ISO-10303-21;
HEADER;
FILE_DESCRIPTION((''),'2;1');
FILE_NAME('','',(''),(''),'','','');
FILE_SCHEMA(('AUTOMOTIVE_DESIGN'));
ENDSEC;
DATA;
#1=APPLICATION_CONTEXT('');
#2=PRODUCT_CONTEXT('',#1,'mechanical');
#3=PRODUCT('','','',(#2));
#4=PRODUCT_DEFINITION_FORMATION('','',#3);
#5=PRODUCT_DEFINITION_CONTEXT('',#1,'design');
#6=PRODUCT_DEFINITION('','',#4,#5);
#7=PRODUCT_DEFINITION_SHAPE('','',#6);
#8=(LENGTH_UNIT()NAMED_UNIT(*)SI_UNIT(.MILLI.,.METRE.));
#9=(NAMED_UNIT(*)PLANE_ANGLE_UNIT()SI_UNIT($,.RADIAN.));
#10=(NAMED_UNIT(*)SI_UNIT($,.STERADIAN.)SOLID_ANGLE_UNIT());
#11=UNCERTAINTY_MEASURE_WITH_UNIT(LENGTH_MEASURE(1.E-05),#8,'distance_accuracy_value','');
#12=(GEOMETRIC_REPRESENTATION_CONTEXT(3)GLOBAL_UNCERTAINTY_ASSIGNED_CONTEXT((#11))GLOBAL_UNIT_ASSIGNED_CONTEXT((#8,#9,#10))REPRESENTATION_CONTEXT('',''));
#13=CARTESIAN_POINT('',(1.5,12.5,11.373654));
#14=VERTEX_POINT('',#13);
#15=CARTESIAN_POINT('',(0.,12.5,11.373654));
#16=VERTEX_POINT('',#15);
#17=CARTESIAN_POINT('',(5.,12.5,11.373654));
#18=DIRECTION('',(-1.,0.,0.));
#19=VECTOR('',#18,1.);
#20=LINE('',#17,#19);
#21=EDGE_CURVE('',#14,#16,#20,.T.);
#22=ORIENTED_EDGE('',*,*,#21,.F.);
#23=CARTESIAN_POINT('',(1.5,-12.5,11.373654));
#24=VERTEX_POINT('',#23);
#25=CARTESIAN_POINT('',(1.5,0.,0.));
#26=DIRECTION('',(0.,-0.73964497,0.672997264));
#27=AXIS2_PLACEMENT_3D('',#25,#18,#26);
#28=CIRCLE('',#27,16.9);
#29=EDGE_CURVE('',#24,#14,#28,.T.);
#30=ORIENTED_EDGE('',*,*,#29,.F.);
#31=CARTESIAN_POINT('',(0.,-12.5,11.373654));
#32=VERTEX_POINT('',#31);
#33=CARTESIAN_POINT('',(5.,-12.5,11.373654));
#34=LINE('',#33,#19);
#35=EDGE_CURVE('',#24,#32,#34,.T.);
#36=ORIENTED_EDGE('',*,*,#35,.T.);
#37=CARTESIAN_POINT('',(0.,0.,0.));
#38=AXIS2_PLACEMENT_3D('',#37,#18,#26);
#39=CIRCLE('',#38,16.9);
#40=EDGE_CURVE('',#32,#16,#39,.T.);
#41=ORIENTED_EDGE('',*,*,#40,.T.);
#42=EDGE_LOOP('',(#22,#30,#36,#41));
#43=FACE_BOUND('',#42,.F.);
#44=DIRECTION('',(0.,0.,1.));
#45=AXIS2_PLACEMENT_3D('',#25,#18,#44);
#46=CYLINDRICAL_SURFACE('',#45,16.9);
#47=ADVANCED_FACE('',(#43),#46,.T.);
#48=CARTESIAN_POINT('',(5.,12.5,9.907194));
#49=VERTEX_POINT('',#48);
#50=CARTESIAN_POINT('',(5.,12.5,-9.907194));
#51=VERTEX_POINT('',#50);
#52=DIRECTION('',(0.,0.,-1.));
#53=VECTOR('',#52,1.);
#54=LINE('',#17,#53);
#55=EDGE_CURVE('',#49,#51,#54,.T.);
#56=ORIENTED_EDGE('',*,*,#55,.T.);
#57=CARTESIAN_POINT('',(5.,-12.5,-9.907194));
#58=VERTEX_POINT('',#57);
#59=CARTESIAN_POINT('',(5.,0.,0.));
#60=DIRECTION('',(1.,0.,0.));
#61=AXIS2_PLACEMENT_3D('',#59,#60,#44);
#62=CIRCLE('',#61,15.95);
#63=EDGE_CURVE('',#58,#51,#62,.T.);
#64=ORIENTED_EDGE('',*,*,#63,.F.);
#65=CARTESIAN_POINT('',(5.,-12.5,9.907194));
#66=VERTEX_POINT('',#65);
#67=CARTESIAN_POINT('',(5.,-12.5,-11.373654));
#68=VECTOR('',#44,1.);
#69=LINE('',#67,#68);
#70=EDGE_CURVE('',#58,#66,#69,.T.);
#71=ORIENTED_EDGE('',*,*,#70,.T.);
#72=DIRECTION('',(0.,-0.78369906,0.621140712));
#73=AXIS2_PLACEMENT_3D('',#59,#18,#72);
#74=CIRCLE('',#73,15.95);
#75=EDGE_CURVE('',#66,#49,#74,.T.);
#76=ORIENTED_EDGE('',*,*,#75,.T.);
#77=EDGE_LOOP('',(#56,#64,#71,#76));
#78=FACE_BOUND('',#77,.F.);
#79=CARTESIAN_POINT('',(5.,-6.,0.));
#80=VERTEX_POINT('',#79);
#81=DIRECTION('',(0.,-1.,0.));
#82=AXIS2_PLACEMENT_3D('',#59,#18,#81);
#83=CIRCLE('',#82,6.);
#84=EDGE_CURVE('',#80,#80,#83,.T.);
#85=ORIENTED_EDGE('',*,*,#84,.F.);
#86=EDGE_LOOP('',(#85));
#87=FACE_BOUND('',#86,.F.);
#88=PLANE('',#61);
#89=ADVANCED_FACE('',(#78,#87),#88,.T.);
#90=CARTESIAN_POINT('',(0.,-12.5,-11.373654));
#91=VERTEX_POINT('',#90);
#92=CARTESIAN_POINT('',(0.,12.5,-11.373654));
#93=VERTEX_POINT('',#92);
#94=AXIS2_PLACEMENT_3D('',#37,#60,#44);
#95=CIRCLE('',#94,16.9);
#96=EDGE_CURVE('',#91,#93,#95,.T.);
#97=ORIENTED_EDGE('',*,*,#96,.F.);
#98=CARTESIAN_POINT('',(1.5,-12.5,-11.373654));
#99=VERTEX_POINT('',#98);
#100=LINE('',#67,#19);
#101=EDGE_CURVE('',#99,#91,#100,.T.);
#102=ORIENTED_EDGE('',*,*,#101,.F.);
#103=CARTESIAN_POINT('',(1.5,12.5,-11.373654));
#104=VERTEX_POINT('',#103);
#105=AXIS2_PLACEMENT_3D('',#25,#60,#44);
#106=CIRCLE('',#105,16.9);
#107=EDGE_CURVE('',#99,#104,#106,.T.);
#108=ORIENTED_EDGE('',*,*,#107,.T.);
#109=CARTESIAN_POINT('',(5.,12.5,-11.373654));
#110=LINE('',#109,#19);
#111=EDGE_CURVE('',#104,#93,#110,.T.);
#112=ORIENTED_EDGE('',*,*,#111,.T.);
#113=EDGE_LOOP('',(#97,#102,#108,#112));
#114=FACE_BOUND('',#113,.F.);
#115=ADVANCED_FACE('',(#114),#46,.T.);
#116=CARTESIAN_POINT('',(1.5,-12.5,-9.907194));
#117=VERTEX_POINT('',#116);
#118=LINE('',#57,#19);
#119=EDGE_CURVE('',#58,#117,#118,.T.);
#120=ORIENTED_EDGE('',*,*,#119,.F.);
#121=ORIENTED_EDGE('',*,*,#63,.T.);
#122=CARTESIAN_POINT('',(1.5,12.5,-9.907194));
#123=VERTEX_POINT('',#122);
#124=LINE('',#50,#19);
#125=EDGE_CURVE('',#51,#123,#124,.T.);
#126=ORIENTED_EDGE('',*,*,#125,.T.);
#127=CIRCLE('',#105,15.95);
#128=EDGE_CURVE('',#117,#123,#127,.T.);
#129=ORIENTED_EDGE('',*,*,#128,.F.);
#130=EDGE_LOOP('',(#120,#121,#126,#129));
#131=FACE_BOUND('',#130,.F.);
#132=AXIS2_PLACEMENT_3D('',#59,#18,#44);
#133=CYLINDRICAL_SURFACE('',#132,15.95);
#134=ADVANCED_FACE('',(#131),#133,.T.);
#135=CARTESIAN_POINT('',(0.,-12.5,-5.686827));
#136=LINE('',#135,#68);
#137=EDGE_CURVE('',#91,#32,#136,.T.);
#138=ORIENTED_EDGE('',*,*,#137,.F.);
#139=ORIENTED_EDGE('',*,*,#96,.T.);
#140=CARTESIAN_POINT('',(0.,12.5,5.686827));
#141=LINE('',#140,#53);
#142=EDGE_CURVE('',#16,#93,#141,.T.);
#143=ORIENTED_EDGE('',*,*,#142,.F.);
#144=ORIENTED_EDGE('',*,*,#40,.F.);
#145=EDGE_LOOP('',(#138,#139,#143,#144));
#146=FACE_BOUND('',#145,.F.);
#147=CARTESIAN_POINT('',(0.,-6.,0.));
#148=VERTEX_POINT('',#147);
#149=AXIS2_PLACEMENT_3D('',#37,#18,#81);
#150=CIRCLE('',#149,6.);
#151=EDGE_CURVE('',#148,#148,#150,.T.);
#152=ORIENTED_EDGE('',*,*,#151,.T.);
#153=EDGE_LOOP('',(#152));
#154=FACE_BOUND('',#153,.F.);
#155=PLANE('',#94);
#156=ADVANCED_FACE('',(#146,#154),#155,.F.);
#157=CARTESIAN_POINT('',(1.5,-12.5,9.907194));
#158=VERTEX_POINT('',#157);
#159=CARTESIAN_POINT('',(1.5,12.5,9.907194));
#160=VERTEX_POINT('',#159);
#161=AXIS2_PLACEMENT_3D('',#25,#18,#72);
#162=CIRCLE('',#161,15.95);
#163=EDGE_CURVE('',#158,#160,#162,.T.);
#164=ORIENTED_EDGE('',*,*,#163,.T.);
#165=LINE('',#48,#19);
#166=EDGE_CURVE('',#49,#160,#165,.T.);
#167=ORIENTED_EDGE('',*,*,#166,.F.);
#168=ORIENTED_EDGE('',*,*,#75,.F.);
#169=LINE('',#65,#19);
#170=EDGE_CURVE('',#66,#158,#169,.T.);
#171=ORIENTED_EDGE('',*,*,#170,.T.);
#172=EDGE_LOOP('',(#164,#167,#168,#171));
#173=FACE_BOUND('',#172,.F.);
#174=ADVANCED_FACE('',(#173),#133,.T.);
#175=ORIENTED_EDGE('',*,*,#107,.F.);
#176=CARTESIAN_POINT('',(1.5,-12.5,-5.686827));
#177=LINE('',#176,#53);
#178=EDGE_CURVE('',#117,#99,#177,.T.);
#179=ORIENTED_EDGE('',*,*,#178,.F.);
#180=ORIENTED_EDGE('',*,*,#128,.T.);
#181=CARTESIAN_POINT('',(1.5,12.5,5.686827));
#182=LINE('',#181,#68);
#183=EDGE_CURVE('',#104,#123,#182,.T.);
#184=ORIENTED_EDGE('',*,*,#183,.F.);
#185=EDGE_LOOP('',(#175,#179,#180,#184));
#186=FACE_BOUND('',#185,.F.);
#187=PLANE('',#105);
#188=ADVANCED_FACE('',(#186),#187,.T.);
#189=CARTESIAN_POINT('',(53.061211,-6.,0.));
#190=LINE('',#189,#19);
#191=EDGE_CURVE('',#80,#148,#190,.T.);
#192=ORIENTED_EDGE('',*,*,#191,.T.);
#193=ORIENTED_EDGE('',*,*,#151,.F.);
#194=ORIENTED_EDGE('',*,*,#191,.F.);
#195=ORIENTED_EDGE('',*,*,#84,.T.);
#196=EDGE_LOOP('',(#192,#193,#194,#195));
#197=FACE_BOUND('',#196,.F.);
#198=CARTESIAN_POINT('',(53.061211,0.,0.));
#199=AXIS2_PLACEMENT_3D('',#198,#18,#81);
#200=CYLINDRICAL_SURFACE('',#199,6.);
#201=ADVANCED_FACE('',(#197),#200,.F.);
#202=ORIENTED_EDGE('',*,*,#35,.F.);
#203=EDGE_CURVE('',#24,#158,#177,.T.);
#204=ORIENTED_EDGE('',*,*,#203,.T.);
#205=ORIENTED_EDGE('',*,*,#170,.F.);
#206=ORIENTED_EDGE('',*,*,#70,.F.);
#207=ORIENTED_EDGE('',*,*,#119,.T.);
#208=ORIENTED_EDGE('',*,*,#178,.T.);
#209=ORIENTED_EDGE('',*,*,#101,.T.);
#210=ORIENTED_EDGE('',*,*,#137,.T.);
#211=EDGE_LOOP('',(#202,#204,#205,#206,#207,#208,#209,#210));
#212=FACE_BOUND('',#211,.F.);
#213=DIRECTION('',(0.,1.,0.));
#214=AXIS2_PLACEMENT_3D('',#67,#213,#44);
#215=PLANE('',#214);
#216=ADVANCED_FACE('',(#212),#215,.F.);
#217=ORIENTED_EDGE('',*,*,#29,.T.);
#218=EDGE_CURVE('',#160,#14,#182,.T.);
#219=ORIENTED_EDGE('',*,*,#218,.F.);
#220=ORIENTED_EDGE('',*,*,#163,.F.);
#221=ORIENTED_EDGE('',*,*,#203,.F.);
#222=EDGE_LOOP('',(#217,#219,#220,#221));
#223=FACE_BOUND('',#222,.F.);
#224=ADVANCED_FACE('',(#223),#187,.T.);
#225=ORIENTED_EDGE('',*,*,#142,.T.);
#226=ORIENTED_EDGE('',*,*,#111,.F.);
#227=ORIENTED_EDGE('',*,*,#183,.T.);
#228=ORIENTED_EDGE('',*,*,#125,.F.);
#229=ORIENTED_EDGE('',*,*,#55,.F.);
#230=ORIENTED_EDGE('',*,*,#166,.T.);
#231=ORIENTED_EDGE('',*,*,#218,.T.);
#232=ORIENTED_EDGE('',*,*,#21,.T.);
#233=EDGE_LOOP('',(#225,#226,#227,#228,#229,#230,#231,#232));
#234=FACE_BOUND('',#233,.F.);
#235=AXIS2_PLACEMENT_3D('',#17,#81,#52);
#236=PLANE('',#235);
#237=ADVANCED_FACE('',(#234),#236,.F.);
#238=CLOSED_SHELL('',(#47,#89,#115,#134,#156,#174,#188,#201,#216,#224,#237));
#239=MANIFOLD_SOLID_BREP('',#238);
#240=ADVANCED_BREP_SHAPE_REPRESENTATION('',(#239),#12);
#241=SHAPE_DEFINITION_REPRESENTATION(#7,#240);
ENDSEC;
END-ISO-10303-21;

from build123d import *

# Parameters (mm, degrees)
F3_D     = 12
F5_DEPTH = 25


with BuildPart() as f1:
    # F0 (on Front) → F1 (revolve)
    with BuildSketch(Plane.XZ):
        Polygon((0, 16.9), (0, 0), (5, 0), (5, 15.95), (1.5, 15.95), (1.5, 16.9), align=None)
    revolve(axis=Axis((2.5, 0, 0), (1, 0, 0)))

    # F3 (through all)
    with Locations(Plane.YZ.offset(5)):
        with Locations((0, 0)):
            Hole(F3_D / 2)

    # F4 (on face) → F5 (cut)
    with BuildSketch(Plane.YZ.offset(5)):
        with BuildLine():
            Line((-12.5, -9.9071943556), (-12.5, 9.9071943556))
            ThreePointArc((-12.5, 9.9071943556), (-15.95, 0), (-12.5, -9.9071943556))
        make_face()
        with BuildLine():
            Line((-12.5, 9.9071943556), (-12.5, 11.3736537665))
            ThreePointArc((-12.5, 11.3736537665), (-16.9, 0), (-12.5, -11.3736537665))
            Line((-12.5, -11.3736537665), (-12.5, -9.9071943556))
            ThreePointArc((-12.5, -9.9071943556), (-15.95, 0), (-12.5, 9.9071943556))
        make_face()
        with BuildLine():
            ThreePointArc((15.95, 0), (15.0628267599, 5.2453550881), (12.5, 9.9071943556))
            Line((12.5, 9.9071943556), (12.5, -9.9071943556))
            ThreePointArc((12.5, -9.9071943556), (15.0628267599, -5.2453550881), (15.95, 0))
        make_face()
        with BuildLine():
            ThreePointArc((12.5, -11.3736537665), (15.7616623489, -6.0975404878), (16.9, 0))
            ThreePointArc((16.9, 0), (15.7616623489, 6.0975404878), (12.5, 11.3736537665))
            Line((12.5, 11.3736537665), (12.5, 9.9071943556))
            ThreePointArc((12.5, 9.9071943556), (15.0628267599, 5.2453550881), (15.95, 0))
            ThreePointArc((15.95, 0), (15.0628267599, -5.2453550881), (12.5, -9.9071943556))
            Line((12.5, -9.9071943556), (12.5, -11.3736537665))
        make_face()
    extrude(amount=-F5_DEPTH, mode=Mode.SUBTRACT)


solid = f1.part
